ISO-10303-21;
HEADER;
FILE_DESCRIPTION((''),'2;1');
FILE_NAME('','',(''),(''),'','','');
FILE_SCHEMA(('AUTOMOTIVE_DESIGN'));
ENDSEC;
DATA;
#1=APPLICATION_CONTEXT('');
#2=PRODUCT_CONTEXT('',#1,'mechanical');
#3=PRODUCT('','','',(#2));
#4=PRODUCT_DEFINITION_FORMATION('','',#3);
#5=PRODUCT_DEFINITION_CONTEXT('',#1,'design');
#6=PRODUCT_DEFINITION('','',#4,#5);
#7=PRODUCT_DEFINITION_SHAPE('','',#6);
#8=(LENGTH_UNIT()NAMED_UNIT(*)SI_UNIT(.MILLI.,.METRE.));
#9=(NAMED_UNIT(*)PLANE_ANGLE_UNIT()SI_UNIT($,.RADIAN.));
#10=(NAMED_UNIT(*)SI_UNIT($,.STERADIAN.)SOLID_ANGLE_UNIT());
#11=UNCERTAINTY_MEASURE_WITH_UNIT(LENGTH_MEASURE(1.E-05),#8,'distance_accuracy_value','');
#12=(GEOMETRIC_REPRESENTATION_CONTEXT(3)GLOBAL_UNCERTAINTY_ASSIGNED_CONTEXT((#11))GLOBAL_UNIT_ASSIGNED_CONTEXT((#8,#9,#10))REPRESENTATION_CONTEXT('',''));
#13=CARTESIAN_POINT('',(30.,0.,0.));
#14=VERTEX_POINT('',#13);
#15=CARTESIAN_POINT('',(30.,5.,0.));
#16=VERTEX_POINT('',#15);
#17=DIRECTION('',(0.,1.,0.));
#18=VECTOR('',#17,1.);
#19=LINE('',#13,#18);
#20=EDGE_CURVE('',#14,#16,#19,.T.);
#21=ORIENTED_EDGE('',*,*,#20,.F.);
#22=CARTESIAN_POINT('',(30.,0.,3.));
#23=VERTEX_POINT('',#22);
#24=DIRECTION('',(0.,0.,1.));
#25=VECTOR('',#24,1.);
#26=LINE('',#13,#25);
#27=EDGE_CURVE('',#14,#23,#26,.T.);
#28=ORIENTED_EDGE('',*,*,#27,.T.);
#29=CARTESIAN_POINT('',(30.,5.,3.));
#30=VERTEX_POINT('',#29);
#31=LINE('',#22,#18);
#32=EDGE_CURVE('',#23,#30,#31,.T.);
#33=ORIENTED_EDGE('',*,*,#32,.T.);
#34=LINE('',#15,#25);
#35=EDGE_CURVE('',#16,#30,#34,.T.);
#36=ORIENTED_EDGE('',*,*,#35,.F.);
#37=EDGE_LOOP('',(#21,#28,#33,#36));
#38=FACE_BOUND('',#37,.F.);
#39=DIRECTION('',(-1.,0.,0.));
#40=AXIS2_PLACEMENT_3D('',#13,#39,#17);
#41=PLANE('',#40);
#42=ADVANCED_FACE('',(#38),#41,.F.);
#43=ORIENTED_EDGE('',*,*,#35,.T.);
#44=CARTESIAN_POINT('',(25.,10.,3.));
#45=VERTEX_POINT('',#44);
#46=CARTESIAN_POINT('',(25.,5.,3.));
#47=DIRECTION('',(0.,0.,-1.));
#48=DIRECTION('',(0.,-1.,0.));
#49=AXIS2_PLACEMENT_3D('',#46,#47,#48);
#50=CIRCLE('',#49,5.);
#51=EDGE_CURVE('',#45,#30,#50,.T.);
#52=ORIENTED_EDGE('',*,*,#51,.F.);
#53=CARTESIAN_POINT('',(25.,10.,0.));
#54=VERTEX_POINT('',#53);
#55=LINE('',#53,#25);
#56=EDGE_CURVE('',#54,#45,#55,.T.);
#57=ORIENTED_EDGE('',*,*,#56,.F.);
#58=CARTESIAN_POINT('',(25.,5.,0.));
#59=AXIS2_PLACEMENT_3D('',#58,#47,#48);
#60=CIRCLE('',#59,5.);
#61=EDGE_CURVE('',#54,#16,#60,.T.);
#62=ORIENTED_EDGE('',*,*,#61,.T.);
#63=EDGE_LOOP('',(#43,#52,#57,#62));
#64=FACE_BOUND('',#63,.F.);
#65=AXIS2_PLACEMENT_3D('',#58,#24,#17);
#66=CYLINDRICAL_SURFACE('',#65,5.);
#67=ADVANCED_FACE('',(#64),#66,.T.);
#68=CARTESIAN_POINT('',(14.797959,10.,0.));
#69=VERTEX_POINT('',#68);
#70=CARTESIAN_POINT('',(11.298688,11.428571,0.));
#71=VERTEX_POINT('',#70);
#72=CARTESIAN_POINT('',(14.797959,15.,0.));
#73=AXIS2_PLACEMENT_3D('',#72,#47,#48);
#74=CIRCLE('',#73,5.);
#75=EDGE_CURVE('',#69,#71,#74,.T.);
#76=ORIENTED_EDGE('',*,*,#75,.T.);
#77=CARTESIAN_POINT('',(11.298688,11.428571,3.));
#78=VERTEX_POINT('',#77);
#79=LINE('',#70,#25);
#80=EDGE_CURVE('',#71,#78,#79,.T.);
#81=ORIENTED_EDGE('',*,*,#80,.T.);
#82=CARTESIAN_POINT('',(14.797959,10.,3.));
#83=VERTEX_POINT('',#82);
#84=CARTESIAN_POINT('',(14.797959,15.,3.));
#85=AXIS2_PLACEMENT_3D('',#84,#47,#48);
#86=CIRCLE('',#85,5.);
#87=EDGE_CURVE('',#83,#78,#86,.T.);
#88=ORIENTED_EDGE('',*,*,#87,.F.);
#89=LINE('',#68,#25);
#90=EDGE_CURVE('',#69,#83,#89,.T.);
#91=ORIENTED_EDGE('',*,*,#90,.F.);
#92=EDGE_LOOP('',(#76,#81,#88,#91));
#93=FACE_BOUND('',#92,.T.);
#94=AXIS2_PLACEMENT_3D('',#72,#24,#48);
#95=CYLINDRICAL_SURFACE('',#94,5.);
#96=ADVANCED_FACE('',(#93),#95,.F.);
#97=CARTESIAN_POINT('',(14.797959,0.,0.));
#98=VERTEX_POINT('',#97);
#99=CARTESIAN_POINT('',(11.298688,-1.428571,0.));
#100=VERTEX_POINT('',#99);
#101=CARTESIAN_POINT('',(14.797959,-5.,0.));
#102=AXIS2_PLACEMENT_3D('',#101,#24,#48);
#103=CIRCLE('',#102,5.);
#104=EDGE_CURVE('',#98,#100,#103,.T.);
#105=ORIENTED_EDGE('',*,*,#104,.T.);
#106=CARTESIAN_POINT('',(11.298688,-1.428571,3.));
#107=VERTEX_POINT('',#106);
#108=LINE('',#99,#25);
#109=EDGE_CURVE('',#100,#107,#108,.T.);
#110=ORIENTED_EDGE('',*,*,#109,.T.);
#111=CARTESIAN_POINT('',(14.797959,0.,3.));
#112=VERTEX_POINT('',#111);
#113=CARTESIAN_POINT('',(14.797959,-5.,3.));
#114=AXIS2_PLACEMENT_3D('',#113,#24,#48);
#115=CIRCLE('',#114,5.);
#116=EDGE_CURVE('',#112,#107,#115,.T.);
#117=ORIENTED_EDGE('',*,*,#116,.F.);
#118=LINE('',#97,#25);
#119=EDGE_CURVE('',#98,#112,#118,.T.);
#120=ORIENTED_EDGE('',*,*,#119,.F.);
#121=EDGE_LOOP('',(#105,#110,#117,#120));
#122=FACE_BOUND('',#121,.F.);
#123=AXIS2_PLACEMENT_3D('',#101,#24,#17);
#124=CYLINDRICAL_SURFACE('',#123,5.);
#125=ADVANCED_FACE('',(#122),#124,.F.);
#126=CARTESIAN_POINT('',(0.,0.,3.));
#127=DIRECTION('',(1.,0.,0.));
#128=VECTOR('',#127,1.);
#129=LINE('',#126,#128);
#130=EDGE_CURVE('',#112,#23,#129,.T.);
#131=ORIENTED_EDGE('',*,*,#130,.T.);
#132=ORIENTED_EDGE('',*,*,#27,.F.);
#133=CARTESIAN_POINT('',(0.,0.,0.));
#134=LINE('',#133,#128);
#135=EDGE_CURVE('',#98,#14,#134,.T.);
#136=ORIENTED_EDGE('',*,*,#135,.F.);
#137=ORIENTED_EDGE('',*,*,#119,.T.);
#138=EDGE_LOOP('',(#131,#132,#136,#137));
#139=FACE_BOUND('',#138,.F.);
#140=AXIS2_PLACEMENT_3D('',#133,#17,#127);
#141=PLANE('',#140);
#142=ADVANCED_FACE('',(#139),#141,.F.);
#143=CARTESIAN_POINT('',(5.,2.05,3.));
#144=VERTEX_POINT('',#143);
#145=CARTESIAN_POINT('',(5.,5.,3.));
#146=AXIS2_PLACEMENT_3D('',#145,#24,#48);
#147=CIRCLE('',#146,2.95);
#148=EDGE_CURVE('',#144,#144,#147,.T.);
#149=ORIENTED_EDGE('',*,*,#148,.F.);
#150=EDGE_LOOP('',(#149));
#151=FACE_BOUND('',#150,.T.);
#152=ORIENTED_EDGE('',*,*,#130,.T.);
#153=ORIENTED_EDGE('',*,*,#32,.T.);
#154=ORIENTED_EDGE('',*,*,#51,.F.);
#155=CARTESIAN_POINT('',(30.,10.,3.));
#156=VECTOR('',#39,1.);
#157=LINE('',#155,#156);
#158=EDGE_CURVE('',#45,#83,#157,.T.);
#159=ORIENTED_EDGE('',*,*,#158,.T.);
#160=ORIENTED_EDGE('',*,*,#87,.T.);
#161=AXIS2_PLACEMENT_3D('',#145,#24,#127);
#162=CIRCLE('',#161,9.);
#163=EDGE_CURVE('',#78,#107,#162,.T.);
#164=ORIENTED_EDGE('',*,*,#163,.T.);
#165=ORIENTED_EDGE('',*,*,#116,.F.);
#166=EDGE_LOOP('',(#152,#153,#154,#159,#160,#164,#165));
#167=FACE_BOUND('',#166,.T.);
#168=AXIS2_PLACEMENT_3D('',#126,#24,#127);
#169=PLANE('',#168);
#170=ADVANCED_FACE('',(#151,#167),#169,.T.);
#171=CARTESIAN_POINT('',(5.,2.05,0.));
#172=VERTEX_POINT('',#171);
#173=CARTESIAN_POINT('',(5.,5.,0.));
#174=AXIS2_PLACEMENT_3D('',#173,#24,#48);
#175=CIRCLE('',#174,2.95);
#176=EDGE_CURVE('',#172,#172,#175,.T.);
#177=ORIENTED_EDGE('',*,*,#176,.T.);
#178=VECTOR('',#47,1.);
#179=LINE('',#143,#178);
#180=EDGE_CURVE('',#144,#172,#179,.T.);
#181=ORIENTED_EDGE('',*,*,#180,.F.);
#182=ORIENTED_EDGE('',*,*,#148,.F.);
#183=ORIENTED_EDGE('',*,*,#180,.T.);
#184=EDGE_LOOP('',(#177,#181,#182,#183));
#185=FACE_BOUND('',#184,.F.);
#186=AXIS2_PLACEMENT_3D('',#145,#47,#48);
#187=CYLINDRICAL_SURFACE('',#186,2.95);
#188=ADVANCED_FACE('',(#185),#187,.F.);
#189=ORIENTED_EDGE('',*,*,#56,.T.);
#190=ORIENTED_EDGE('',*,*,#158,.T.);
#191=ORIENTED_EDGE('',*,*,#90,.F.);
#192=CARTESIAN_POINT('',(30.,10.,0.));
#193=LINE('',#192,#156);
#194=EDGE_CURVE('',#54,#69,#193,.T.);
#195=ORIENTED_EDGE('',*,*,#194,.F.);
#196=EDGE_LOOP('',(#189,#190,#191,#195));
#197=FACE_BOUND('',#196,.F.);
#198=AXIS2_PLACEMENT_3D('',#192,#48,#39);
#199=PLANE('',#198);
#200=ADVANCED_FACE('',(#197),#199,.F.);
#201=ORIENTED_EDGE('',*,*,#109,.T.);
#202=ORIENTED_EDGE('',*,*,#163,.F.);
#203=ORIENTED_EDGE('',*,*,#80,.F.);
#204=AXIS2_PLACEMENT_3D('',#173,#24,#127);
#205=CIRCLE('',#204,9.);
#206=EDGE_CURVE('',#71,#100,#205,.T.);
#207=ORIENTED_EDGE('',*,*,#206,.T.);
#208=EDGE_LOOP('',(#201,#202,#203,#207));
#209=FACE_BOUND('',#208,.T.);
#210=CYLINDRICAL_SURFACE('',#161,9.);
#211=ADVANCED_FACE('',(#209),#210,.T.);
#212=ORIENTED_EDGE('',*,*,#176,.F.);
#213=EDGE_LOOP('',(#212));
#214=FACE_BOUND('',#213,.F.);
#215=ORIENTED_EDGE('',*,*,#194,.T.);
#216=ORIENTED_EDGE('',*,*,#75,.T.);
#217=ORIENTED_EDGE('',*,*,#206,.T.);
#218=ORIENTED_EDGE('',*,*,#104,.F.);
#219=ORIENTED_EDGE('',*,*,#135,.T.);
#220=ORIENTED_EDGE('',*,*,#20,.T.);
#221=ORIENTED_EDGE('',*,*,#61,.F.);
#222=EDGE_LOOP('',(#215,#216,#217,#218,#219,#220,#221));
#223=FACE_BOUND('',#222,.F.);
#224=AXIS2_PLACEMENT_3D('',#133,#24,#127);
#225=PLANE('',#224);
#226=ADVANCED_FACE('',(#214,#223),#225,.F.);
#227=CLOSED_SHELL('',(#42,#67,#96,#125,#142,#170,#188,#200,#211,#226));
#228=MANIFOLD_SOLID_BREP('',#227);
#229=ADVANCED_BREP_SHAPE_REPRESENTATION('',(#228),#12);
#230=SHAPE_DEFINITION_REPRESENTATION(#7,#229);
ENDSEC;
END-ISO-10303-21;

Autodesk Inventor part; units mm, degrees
ref_plane "YZ Plane" through (0, 0, 0) normal (1, 0, 0) x (0, 1, 0)
ref_plane "XZ Plane" through (0, 0, 0) normal (0, 1, 0) x (-1, 0, 0)
ref_plane "XY Plane" through (0, 0, 0) normal (0, 0, 1) x (1, 0, 0)
sketch "Sketch1" plane through (0, 0, 0) normal (0, 0, 1) x (1, 0, 0)
  line L0 (0, 0) -> (30, 0)
  line L1 (30, 0) -> (30, 10)
  line L2 (30, 10) -> (0, 10)
  line L3 (0, 10) -> (0, 0)
  dimension "d0" = 30
  dimension "d1" = 10
extrude "Extrusion1" add sketch "Sketch1" along normal blind 3
sketch "Sketch2" plane through (0, 0, 3) normal (0, 0, 1) x (1, 0, 0)
  line L0 (30, 10) -> (0, 10) projected
  line L1 (0, 0) -> (30, 0) projected
  line L2 (0, 10) -> (0, 0) projected
  point P0 (5, 5)
  dimension "d4" = 5
  dimension "d5" = 5
  dimension "d6" = 5
hole "Hole1" at (5, 5, 3) direction (0, 0, -1) diameter 5.9 end through all
fillet "Fillet2" radius 5 1 edges at (30, 10, 1.5)
sketch "Sketch4" plane through (0, 0, 3) normal (0, 0, 1) x (1, 0, 0)
  circle A0 centre (5, 5) radius 2.95 projected
  circle A1 centre (5, 5) radius 9
  circle A2 centre (5, 5) radius 2.95
  point P0 (0, 0)
  dimension "d16" = 18
extrude "Extrusion2" add sketch "Sketch4" against normal up to surface (3 mm away)
fillet "Fillet3" radius 5 2 edges at (12.4833, 10, 1.5) (12.4833, 0, 1.5)
equation "\"d4\" = d5"
properties part number "Selection_Lever 2" material "Nylon 6/6"
